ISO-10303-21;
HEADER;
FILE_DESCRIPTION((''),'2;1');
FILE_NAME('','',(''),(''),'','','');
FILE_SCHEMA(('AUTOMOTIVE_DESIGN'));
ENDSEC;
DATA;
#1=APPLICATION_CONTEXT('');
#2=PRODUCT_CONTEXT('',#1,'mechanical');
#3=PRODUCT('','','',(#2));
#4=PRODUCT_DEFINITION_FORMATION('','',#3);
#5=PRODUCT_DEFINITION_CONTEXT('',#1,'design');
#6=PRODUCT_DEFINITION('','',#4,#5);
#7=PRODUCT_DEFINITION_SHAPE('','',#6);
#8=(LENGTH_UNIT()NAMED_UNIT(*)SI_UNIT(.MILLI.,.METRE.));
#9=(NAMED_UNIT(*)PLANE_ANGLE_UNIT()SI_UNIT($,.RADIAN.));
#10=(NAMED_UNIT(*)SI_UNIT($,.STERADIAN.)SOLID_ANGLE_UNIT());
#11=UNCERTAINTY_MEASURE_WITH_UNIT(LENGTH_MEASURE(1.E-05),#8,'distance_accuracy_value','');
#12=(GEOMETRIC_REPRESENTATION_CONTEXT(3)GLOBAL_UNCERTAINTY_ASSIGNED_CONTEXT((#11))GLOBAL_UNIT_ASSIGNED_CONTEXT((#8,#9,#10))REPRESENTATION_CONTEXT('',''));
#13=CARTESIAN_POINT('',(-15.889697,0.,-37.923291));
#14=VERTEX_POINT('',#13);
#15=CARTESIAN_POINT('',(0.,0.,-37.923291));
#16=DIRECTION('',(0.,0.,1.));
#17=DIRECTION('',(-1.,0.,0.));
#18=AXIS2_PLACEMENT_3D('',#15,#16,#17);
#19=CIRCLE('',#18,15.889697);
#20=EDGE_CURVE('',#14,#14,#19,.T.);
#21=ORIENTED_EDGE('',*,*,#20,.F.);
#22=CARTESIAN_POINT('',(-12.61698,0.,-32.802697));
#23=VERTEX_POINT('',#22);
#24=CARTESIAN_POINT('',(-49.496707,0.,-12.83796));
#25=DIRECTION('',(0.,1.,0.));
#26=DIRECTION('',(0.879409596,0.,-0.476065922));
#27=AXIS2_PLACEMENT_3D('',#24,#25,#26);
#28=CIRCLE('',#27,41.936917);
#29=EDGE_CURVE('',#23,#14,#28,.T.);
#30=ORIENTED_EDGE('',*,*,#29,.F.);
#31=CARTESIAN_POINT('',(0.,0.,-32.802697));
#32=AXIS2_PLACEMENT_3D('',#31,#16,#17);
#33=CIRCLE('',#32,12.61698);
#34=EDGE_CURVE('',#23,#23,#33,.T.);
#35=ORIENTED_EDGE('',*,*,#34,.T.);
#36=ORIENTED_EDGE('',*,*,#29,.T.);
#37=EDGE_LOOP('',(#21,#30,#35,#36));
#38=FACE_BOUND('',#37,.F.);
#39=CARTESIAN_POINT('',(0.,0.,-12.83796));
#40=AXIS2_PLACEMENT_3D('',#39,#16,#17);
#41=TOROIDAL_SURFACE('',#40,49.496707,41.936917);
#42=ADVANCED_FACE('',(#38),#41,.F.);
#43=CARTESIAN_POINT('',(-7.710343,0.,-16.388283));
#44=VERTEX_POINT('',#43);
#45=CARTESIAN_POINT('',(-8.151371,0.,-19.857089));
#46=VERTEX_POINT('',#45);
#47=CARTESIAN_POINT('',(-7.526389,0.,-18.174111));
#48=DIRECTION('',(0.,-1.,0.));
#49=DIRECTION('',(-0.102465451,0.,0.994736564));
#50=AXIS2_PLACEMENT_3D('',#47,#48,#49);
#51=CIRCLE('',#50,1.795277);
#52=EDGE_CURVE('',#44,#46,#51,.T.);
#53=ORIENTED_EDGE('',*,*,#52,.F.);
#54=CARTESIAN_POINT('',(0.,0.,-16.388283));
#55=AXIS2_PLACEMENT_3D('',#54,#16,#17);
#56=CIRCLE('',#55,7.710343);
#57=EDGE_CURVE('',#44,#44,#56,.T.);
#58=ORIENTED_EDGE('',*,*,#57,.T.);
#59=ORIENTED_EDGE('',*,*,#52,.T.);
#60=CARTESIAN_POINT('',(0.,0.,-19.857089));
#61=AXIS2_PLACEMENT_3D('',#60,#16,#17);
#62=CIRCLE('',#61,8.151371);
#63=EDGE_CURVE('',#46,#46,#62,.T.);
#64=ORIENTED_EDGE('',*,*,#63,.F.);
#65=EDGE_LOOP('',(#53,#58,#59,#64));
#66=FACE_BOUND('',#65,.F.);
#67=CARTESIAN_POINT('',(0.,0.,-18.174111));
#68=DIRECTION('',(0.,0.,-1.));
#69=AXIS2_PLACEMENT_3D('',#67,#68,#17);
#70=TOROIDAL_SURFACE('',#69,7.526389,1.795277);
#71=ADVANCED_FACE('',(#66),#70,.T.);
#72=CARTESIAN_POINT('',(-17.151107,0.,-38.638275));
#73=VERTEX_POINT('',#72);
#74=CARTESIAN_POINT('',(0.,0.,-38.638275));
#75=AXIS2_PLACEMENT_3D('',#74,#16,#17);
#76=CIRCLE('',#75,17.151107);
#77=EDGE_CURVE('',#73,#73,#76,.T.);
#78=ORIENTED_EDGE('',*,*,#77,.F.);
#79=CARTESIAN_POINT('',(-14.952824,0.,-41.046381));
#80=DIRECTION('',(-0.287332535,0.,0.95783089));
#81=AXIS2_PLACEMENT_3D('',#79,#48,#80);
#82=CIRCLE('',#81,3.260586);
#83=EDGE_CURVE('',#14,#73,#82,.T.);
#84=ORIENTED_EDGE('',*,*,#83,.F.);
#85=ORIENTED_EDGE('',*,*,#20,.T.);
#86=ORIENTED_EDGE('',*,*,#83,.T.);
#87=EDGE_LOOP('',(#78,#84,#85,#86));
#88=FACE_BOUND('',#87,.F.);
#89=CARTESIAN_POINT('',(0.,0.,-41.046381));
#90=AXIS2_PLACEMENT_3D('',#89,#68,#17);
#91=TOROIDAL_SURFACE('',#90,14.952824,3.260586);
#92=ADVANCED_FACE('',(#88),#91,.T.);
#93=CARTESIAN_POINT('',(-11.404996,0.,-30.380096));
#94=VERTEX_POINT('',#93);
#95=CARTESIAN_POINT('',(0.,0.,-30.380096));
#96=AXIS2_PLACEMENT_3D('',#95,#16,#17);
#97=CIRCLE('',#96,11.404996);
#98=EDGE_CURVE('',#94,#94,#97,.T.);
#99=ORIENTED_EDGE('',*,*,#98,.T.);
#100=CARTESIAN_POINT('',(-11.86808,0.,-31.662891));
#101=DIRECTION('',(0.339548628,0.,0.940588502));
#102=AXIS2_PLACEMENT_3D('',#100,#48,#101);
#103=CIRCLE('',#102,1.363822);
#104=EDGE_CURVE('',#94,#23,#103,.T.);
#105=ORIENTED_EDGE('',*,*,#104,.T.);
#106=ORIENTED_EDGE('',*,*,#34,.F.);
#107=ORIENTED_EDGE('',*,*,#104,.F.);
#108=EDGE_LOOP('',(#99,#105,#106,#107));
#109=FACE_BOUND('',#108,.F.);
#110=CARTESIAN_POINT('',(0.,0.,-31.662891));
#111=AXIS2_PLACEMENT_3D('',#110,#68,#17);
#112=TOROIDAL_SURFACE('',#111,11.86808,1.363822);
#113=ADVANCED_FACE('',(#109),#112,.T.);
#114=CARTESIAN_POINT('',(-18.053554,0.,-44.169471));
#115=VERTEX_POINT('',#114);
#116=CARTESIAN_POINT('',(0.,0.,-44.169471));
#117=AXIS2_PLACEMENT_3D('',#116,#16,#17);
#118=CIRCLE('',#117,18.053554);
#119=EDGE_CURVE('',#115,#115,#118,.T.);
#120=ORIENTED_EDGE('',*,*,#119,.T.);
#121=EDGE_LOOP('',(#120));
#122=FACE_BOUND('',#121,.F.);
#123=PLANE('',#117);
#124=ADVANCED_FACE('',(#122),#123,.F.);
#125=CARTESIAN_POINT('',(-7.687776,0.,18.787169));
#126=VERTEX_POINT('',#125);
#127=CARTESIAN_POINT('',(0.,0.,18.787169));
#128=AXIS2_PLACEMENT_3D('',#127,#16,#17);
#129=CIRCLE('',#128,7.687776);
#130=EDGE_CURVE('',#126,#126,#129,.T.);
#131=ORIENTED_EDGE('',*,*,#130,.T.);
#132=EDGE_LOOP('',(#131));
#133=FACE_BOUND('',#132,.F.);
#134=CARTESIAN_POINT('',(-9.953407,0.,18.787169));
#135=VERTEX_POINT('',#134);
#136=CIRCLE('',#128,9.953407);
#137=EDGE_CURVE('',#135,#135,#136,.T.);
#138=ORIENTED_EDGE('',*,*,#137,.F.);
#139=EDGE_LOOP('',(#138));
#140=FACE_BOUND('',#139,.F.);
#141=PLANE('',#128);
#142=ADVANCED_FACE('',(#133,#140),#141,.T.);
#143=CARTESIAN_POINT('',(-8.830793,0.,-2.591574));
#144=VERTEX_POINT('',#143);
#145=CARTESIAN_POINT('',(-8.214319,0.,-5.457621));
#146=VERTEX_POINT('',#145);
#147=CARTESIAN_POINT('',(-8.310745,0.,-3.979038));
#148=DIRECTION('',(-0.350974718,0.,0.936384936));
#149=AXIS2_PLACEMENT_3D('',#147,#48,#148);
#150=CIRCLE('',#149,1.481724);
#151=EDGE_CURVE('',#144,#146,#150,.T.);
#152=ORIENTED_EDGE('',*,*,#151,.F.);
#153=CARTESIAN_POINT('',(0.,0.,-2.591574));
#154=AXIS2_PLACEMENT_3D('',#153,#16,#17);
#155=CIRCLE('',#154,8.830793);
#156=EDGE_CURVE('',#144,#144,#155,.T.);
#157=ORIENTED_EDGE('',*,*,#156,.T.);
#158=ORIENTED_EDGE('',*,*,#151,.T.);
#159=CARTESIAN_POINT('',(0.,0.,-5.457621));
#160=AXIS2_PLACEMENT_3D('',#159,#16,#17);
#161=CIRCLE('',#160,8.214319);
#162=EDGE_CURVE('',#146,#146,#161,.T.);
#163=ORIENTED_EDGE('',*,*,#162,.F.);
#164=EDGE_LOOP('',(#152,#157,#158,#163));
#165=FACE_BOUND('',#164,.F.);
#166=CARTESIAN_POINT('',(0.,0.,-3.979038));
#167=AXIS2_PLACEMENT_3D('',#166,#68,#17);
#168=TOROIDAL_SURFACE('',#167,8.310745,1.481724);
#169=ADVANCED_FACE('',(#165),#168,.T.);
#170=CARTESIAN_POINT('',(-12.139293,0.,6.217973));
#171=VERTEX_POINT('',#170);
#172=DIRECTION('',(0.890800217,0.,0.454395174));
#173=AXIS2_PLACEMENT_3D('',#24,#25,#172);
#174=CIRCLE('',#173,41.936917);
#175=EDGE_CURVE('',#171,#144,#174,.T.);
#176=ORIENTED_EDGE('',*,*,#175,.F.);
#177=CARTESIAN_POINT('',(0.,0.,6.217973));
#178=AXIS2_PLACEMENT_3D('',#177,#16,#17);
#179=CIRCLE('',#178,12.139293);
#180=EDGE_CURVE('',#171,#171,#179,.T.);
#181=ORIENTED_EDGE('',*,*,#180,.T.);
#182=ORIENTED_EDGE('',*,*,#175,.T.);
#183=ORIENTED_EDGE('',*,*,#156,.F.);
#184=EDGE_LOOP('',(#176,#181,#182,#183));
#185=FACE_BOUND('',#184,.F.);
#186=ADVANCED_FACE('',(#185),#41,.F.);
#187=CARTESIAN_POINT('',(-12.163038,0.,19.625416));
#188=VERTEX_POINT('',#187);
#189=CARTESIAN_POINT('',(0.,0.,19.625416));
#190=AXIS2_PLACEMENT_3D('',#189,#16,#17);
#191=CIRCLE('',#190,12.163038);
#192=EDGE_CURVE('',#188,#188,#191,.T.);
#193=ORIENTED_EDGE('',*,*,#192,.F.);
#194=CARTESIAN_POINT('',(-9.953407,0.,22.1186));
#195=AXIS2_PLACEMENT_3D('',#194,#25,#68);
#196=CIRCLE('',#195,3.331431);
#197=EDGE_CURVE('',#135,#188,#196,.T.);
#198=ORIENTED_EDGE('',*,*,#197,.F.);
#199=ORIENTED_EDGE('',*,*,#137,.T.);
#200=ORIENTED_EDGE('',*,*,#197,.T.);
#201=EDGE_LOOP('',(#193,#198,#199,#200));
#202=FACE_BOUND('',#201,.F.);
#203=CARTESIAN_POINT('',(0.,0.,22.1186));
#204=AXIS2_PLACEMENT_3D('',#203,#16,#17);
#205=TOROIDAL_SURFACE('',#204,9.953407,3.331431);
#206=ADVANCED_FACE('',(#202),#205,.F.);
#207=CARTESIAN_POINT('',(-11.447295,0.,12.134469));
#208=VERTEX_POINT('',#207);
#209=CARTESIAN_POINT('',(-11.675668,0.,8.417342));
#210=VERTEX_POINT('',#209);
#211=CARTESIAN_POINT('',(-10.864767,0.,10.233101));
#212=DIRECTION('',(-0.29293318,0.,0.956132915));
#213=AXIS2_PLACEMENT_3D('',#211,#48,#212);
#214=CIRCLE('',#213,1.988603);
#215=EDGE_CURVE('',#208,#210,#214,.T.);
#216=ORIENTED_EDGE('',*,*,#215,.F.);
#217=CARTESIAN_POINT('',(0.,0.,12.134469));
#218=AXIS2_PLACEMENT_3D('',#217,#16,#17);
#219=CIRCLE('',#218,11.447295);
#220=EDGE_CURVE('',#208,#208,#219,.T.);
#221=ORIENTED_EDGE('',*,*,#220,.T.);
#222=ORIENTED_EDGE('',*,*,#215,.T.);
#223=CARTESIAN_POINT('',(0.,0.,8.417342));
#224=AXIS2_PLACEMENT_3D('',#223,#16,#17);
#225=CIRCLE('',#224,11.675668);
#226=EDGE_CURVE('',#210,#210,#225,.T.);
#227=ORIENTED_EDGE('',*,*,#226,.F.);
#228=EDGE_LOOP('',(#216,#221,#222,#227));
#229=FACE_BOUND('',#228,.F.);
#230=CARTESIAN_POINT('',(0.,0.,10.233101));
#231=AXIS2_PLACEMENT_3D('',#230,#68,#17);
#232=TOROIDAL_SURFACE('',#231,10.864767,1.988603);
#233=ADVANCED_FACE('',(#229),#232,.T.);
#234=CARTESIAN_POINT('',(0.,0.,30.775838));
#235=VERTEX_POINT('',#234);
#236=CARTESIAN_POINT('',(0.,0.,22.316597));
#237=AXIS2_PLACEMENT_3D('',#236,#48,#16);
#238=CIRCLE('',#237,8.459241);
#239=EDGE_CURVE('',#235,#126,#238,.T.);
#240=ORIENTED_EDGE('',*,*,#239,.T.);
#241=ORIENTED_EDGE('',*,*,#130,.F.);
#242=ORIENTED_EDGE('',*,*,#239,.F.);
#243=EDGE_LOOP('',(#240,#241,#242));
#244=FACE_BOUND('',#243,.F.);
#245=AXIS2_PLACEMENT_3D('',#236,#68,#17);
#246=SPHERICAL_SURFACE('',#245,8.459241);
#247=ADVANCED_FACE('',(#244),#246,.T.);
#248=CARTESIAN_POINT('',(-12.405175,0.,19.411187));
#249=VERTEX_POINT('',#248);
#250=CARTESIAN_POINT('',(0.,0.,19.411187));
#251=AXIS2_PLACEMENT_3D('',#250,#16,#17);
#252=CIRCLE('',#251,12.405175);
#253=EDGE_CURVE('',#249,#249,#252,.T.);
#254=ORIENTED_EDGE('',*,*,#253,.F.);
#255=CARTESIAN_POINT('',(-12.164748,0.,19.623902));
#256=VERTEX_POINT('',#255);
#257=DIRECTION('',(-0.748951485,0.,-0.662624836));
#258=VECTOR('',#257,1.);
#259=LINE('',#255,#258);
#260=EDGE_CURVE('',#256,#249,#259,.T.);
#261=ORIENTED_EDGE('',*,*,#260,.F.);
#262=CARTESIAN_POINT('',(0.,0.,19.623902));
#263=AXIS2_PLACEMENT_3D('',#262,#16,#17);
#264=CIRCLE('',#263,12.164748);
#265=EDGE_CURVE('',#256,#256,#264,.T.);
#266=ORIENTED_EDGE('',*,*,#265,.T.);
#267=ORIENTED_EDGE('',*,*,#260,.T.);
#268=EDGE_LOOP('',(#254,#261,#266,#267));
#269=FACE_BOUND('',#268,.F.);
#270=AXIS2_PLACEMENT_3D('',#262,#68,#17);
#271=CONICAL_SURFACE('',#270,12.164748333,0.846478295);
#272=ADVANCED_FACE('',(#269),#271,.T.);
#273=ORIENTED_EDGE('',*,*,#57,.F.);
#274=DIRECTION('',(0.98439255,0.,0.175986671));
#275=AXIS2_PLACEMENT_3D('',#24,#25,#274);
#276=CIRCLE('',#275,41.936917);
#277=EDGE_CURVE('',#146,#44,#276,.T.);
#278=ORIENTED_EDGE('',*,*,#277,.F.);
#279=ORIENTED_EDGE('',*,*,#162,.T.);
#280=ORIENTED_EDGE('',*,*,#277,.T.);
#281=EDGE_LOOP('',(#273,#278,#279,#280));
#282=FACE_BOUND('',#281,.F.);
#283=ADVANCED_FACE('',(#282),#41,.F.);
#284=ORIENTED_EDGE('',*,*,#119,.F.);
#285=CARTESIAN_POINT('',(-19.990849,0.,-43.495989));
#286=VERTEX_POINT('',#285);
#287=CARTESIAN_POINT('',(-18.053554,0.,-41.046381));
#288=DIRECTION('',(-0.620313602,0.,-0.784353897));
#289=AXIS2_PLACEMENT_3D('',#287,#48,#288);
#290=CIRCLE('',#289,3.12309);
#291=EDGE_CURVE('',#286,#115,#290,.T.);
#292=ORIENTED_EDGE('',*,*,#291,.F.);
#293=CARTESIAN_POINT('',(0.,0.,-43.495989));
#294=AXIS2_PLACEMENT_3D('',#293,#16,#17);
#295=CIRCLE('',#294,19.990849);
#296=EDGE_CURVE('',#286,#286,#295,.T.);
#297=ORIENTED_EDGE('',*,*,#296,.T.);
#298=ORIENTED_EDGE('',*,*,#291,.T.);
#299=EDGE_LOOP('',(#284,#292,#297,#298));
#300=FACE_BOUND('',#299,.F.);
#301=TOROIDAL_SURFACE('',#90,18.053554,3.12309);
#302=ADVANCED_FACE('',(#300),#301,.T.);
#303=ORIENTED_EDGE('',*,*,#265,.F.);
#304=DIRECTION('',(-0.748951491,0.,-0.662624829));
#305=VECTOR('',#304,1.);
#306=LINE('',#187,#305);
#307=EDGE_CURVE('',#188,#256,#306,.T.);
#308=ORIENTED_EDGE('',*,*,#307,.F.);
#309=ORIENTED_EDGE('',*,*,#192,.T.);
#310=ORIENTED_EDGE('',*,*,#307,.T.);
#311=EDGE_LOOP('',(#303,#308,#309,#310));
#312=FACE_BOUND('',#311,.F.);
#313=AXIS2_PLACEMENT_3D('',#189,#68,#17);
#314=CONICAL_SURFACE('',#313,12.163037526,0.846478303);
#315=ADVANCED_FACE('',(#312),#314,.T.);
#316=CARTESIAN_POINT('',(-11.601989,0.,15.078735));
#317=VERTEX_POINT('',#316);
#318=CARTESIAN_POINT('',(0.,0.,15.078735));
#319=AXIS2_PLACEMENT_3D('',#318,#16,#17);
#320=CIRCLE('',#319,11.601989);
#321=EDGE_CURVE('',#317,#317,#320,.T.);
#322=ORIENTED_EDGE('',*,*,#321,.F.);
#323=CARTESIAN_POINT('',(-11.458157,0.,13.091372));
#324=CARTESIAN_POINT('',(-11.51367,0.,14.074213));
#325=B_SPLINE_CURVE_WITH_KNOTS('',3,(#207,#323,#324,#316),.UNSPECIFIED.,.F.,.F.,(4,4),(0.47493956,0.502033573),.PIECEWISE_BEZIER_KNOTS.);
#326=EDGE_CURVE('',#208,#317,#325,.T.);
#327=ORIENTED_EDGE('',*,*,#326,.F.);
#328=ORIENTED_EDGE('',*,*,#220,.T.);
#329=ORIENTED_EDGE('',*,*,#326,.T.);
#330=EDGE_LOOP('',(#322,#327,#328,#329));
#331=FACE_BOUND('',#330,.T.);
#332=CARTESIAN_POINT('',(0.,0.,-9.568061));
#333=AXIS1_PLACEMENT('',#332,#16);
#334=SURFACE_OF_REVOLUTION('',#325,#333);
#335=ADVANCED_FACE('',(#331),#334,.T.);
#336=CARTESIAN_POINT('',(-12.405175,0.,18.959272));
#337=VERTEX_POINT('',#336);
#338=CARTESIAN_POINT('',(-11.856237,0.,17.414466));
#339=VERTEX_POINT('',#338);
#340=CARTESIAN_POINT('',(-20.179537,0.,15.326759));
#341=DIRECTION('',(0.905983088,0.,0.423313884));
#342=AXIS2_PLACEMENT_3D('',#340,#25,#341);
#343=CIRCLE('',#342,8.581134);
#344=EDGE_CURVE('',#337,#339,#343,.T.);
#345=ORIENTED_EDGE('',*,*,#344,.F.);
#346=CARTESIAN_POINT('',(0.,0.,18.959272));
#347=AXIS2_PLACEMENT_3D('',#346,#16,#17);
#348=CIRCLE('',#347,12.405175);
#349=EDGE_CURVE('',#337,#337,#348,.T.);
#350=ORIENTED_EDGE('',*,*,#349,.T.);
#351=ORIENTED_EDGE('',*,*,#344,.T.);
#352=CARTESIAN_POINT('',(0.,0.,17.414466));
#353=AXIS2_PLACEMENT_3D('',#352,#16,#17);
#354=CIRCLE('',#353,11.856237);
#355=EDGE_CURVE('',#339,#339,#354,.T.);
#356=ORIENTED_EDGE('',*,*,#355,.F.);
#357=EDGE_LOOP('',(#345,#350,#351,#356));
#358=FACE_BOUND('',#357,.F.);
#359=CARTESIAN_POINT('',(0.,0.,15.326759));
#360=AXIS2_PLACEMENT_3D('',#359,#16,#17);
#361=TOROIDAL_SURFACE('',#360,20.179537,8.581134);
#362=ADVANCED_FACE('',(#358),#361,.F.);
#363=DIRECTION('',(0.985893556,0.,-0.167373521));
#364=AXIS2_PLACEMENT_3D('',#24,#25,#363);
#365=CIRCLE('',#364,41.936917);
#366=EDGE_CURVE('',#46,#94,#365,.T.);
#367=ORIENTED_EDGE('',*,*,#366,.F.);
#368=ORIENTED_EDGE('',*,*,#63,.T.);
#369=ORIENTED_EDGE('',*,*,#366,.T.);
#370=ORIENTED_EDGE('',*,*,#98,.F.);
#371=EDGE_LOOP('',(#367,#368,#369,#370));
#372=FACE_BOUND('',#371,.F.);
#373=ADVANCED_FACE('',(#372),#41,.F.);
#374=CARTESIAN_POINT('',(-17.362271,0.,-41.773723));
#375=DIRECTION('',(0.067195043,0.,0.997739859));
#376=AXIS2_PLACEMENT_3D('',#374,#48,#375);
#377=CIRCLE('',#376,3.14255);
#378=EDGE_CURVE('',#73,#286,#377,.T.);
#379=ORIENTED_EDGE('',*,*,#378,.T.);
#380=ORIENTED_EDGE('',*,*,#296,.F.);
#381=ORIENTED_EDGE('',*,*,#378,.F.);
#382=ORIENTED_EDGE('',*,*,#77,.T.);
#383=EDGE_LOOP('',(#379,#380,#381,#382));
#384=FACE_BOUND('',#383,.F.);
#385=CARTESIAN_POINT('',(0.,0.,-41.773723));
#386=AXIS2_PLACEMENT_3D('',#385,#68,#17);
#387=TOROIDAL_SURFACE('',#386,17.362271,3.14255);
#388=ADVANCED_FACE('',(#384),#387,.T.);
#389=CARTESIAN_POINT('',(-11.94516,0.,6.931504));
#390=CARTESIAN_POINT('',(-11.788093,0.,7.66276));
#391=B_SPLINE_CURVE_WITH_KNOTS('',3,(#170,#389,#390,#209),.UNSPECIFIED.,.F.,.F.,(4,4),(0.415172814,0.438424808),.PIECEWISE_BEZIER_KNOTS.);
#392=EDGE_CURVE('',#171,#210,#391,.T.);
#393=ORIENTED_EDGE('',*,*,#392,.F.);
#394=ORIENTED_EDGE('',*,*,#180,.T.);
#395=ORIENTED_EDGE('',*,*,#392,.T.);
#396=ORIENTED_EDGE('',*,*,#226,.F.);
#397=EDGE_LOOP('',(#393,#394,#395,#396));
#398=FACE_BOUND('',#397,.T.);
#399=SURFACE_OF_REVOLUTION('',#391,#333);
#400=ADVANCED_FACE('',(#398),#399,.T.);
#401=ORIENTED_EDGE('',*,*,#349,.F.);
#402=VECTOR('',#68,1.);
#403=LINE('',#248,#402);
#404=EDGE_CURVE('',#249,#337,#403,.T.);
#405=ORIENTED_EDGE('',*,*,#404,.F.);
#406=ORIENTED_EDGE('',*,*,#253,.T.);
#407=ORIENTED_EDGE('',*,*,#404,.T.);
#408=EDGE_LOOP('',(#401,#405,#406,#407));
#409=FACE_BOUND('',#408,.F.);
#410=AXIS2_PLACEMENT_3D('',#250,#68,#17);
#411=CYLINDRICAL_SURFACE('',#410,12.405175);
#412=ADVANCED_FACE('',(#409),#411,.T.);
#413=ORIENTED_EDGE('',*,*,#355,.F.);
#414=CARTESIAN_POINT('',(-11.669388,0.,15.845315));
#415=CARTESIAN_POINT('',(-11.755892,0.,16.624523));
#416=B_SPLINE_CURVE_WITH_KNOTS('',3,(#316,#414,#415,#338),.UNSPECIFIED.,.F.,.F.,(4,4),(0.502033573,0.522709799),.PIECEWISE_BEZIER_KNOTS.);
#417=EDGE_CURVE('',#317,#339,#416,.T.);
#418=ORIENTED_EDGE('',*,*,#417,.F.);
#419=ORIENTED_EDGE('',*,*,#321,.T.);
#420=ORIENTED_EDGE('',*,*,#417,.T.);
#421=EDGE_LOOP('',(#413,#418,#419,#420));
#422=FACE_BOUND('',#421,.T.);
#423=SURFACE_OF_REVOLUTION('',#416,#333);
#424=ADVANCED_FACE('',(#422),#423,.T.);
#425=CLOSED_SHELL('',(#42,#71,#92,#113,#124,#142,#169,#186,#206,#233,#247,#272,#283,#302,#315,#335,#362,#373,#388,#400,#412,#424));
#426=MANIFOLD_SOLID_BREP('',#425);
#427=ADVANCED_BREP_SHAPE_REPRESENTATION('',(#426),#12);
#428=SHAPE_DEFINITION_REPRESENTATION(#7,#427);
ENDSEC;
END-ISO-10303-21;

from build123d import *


with BuildPart() as f1:
    # F0 (on Front) → F1 (revolve)
    with BuildSketch(Plane.XZ):
        with BuildLine():
            Line((0, -44.1694706678), (0, -37.9232913257))
            Line((0, -37.9232913257), (0, 11.8331732228))
            Line((0, 11.8331732228), (0, 18.7871687495))
            Line((0, 18.7871687495), (-7.6877755174, 18.7871687495))
            Line((-7.6877755174, 18.7871687495), (-9.9534072849, 18.7871687495))
            ThreePointArc((-9.9534072849, 18.7871687495), (-11.1350506039, 19.0037720516), (-12.1630375258, 19.6254156893))
            Line((-12.1630375258, 19.6254156893), (-12.1647483332, 19.6239020753))
            add(Edge.make_bspline(
                [(-11.8562369038, 17.4144661634), (-11.9486954631, 18.1423229736), (-12.0529051599, 18.879294657), (-12.1647483332, 19.6239020753)],
                knots=[0.5227097993, 0.5227097993, 0.5227097993, 0.5227097993, 0.5417609488, 0.5417609488, 0.5417609488, 0.5417609488], degree=3))
            ThreePointArc((-11.8562369038, 17.4144661634), (-11.6487939305, 16.2553434456), (-11.6019889023, 15.0787350351))
            add(Edge.make_bspline(
                [(-11.4472950696, 12.1344692159), (-11.4581573066, 13.0913723572), (-11.5136699959, 14.074212518), (-11.6019889023, 15.0787350351)],
                knots=[0.4749395602, 0.4749395602, 0.4749395602, 0.4749395602, 0.5020335727, 0.5020335727, 0.5020335727, 0.5020335727], degree=3))
            add(Edge.make_bspline(
                [(-11.675667949, 8.4173418581), (-11.4991159546, 9.6023314431), (-11.4326559718, 10.8448454905), (-11.4472950696, 12.1344692159)],
                knots=[0.4384248078, 0.4384248078, 0.4384248078, 0.4384248078, 0.4749395602, 0.4749395602, 0.4749395602, 0.4749395602], degree=3))
            add(Edge.make_bspline(
                [(-12.1392925185, 6.217972822), (-11.9451603406, 6.9315038549), (-11.7880933577, 7.6627599642), (-11.675667949, 8.4173418581)],
                knots=[0.4151728136, 0.4151728136, 0.4151728136, 0.4151728136, 0.4384248078, 0.4384248078, 0.4384248078, 0.4384248078], degree=3))
            ThreePointArc((-12.1392925185, 6.217972822), (-10.2371607143, 1.9062936557), (-8.8307930125, -2.591573897))
            ThreePointArc((-8.8307930125, -2.591573897), (-8.4975042942, -4.0192092054), (-8.2143186166, -5.4576214604))
            ThreePointArc((-8.2143186166, -5.4576214604), (-7.6042943968, -10.9064444681), (-7.7103433124, -16.3882831509))
            ThreePointArc((-7.7103433124, -16.3882831509), (-7.8946875001, -18.1272849021), (-8.1513710208, -19.8570893536))
            ThreePointArc((-8.1513710208, -19.8570893536), (-9.4312040499, -25.2258757592), (-11.4049959552, -30.3800959298))
            ThreePointArc((-11.4049959552, -30.3800959298), (-11.9914223236, -31.6011847938), (-12.6169800236, -32.8026969507))
            ThreePointArc((-12.6169800236, -32.8026969507), (-14.1604628321, -35.4223535417), (-15.8896967769, -37.9232913257))
            ThreePointArc((-15.8896967769, -37.9232913257), (-16.5606490053, -38.2097775656), (-17.1511071188, -38.638275494))
            ThreePointArc((-17.1511071188, -38.638275494), (-18.1317911321, -41.7713565846), (-15.8896967769, -44.1694706678))
            Line((-15.8896967769, -44.1694706678), (0, -44.1694706678))
        make_face()
        with BuildLine():
            Line((-7.6877755174, 18.7871687495), (0, 18.7871687495))
            Line((0, 18.7871687495), (0, 30.7758384449))
            ThreePointArc((0, 30.7758384449), (-7.1209215252, 26.8829127276), (-7.6877755174, 18.7871687495))
        make_face()
        with BuildLine():
            Line((-18.0535539985, -44.1694706678), (-15.8896967769, -44.1694706678))
            ThreePointArc((-15.8896967769, -44.1694706678), (-18.1317911321, -41.7713565846), (-17.1511071188, -38.638275494))
            ThreePointArc((-17.1511071188, -38.638275494), (-20.0752613279, -40.1877519212), (-19.9908490007, -43.4959885507))
            ThreePointArc((-19.9908490007, -43.4959885507), (-19.0790648575, -43.9962990586), (-18.0535539985, -44.1694706678))
        make_face()
        with BuildLine():
            ThreePointArc((-11.4049959552, -30.3800959298), (-13.0877812051, -31.0526960058), (-12.6169800236, -32.8026969507))
            ThreePointArc((-12.6169800236, -32.8026969507), (-11.9914223236, -31.6011847938), (-11.4049959552, -30.3800959298))
        make_face()
        with BuildLine():
            add(Edge.make_bspline(
                [(-11.8562369038, 17.4144661634), (-11.9486954631, 18.1423229736), (-12.0529051599, 18.879294657), (-12.1647483332, 19.6239020753)],
                knots=[0.5227097993, 0.5227097993, 0.5227097993, 0.5227097993, 0.5417609488, 0.5417609488, 0.5417609488, 0.5417609488], degree=3))
            Line((-12.1647483332, 19.6239020753), (-12.4051754876, 19.4111873575))
            Line((-12.4051754876, 19.4111873575), (-12.4051754876, 18.9592716413))
            ThreePointArc((-12.4051754876, 18.9592716413), (-12.0937294787, 18.2000083862), (-11.8562369038, 17.4144661634))
        make_face()
        with BuildLine():
            ThreePointArc((-11.6019889023, 15.0787350351), (-11.6487939305, 16.2553434456), (-11.8562369038, 17.4144661634))
            add(Edge.make_bspline(
                [(-11.6019889023, 15.0787350351), (-11.6693876211, 15.8453152997), (-11.755891561, 16.6245226287), (-11.8562369038, 17.4144661634)],
                knots=[0.5020335727, 0.5020335727, 0.5020335727, 0.5020335727, 0.5227097993, 0.5227097993, 0.5227097993, 0.5227097993], degree=3))
        make_face()
        with BuildLine():
            ThreePointArc((-7.7103433124, -16.3882831509), (-9.3073297266, -17.9476800676), (-8.1513710208, -19.8570893536))
            ThreePointArc((-8.1513710208, -19.8570893536), (-7.8946875001, -18.1272849021), (-7.7103433124, -16.3882831509))
        make_face()
        with BuildLine():
            add(Edge.make_bspline(
                [(-11.675667949, 8.4173418581), (-11.4991159546, 9.6023314431), (-11.4326559718, 10.8448454905), (-11.4472950696, 12.1344692159)],
                knots=[0.4384248078, 0.4384248078, 0.4384248078, 0.4384248078, 0.4749395602, 0.4749395602, 0.4749395602, 0.4749395602], degree=3))
            ThreePointArc((-11.4472950696, 12.1344692159), (-12.8496274606, 10.355046651), (-11.675667949, 8.4173418581))
        make_face()
        with BuildLine():
            ThreePointArc((-8.8307930125, -2.591573897), (-9.7593379869, -4.2906241579), (-8.2143186166, -5.4576214604))
            ThreePointArc((-8.2143186166, -5.4576214604), (-8.4975042942, -4.0192092054), (-8.8307930125, -2.591573897))
        make_face()
    revolve(axis=Axis((0, 0, -9.5680612881), (0, 0, 1)))


solid = f1.part
